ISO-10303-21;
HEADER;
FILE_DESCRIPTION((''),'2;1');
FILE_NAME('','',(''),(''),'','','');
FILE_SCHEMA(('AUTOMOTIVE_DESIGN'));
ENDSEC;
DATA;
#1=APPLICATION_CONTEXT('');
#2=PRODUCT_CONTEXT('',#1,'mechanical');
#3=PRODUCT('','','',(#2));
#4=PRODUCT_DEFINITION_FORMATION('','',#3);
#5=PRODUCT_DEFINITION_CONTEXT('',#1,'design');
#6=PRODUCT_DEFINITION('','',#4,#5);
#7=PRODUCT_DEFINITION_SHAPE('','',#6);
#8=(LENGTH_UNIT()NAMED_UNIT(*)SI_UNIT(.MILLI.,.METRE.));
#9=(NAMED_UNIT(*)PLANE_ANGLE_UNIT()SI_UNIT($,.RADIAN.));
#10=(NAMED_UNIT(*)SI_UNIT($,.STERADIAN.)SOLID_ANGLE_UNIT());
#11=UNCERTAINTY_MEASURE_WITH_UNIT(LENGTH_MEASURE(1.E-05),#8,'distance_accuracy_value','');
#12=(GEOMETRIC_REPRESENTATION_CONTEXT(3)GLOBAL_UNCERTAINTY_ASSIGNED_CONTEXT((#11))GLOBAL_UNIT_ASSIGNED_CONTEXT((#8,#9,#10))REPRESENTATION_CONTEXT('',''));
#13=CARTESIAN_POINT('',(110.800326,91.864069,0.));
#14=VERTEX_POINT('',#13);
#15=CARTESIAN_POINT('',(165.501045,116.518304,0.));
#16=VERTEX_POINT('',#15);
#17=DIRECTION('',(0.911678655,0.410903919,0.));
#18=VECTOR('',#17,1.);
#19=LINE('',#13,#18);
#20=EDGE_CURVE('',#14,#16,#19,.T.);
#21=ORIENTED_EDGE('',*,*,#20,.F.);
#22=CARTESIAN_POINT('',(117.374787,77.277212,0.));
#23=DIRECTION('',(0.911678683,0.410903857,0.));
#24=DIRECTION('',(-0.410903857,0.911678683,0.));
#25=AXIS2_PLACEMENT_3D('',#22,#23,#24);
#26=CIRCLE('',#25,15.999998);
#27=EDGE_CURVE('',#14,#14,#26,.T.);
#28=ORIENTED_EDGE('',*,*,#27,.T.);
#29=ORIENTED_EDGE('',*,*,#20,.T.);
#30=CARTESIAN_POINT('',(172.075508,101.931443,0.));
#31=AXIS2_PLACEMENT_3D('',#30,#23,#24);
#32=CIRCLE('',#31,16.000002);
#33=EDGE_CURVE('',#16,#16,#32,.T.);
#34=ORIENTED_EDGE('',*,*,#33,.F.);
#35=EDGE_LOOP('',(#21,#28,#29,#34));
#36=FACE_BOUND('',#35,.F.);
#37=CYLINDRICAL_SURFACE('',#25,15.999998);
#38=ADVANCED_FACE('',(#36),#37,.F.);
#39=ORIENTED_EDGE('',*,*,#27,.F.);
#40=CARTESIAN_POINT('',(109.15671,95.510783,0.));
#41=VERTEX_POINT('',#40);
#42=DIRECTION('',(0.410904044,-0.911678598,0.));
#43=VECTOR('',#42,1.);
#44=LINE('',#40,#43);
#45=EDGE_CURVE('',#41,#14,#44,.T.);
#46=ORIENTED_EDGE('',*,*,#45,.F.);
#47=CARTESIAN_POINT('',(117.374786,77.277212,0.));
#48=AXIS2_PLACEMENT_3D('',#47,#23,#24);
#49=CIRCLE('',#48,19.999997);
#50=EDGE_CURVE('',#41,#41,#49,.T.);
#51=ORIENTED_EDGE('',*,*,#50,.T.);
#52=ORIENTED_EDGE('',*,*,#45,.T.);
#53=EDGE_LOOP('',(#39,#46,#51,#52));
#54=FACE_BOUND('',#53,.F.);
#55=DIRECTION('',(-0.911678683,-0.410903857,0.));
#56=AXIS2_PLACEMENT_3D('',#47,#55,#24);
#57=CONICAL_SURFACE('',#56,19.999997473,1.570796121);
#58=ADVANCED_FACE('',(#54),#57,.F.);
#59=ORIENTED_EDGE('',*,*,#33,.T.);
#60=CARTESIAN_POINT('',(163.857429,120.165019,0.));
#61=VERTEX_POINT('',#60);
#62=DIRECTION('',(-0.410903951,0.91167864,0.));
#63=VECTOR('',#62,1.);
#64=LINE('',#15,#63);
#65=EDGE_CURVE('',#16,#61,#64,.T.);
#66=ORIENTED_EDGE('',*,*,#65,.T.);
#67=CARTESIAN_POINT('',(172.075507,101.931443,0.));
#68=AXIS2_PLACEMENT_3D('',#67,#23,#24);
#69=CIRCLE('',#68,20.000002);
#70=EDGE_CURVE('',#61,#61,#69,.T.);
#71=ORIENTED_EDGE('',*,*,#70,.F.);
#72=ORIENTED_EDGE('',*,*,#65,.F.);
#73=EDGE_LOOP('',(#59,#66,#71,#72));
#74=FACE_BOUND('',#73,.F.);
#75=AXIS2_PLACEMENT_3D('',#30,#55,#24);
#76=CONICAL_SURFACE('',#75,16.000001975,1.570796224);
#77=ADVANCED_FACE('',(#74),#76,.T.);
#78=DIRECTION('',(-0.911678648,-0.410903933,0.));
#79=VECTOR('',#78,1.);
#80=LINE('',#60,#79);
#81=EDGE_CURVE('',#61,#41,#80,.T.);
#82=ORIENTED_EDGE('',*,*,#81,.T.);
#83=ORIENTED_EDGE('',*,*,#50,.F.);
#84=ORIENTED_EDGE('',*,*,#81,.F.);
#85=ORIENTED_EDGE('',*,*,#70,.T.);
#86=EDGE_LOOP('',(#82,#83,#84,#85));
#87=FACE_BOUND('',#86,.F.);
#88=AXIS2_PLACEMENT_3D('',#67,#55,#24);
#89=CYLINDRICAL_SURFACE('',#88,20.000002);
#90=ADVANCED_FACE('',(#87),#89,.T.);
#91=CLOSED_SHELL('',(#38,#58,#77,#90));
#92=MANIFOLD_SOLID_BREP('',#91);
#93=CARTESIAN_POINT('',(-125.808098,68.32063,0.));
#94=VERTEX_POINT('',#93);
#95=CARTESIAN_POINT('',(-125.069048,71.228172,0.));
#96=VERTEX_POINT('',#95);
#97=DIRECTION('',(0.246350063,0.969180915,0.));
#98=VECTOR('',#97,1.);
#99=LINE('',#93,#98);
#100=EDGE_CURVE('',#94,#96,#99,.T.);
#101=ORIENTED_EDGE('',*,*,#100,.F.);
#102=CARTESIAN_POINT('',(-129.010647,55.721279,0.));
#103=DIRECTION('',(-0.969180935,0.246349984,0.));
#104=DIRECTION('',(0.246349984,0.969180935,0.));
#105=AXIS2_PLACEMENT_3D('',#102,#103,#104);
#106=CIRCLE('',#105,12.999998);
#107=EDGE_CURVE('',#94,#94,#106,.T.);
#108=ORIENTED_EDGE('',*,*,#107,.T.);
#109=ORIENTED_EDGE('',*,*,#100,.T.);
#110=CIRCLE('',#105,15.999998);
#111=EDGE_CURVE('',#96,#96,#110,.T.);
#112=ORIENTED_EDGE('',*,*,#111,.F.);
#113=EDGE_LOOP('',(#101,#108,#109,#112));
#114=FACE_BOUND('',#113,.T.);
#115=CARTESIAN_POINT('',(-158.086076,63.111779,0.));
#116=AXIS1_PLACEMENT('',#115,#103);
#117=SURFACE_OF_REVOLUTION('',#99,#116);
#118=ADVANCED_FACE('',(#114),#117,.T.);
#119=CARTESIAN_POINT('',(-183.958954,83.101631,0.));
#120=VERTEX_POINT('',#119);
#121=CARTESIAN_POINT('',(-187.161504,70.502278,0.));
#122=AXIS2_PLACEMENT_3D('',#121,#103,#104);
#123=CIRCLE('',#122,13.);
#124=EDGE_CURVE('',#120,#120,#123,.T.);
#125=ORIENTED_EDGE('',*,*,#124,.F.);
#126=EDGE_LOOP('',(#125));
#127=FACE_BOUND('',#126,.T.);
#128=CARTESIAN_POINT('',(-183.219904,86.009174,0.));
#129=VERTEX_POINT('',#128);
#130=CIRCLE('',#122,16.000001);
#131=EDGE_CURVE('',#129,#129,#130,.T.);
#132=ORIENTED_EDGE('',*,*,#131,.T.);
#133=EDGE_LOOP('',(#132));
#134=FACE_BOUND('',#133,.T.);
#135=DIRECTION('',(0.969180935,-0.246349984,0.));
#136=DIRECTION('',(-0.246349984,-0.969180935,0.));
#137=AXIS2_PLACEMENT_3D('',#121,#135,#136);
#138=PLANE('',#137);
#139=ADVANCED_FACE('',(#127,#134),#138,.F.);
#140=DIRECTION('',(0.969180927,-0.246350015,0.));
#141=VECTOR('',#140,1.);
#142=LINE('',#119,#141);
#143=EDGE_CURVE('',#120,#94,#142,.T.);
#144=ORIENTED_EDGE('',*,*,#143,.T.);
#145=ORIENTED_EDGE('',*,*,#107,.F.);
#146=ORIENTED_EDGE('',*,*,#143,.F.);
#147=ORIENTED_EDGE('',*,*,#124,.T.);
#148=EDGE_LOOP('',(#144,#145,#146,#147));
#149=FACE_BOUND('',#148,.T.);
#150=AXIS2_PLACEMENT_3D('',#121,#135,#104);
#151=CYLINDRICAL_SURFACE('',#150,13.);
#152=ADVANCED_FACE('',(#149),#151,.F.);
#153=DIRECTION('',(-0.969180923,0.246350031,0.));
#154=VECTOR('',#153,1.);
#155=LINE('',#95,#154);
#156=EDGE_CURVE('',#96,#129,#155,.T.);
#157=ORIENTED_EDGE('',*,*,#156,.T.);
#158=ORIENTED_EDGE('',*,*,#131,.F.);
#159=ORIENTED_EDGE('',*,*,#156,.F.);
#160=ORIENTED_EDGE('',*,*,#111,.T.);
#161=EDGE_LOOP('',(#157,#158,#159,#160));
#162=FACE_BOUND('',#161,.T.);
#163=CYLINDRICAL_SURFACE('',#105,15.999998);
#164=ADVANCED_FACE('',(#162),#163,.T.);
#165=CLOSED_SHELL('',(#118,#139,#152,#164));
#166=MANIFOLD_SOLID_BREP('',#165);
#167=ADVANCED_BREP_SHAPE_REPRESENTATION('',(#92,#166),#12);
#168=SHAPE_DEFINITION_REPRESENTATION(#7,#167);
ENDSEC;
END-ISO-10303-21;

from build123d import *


with BuildPart() as f1:
    # F0 (on Top) → F1 (revolve)
    with BuildSketch(Plane.XY):
        Polygon((-125.808098, 68.32063), (-125.069048, 71.228172), (-183.219904, 86.009174), (-183.958954, 83.101631), align=None)
    revolve(axis=Axis((-158.086076, 63.111779, 0), (-0.969181, 0.24635, 0)))


with BuildPart() as f2:
    # F0 (on Top) → F2 (revolve)
    with BuildSketch(Plane.XY):
        Polygon((165.501045, 116.518304), (163.857429, 120.165019), (109.15671, 95.510783), (110.800326, 91.864069), align=None)
    revolve(axis=Axis((144.725148, 89.604328, 0), (0.911679, 0.410904, 0)))


solid = Compound([f1.part, f2.part])
